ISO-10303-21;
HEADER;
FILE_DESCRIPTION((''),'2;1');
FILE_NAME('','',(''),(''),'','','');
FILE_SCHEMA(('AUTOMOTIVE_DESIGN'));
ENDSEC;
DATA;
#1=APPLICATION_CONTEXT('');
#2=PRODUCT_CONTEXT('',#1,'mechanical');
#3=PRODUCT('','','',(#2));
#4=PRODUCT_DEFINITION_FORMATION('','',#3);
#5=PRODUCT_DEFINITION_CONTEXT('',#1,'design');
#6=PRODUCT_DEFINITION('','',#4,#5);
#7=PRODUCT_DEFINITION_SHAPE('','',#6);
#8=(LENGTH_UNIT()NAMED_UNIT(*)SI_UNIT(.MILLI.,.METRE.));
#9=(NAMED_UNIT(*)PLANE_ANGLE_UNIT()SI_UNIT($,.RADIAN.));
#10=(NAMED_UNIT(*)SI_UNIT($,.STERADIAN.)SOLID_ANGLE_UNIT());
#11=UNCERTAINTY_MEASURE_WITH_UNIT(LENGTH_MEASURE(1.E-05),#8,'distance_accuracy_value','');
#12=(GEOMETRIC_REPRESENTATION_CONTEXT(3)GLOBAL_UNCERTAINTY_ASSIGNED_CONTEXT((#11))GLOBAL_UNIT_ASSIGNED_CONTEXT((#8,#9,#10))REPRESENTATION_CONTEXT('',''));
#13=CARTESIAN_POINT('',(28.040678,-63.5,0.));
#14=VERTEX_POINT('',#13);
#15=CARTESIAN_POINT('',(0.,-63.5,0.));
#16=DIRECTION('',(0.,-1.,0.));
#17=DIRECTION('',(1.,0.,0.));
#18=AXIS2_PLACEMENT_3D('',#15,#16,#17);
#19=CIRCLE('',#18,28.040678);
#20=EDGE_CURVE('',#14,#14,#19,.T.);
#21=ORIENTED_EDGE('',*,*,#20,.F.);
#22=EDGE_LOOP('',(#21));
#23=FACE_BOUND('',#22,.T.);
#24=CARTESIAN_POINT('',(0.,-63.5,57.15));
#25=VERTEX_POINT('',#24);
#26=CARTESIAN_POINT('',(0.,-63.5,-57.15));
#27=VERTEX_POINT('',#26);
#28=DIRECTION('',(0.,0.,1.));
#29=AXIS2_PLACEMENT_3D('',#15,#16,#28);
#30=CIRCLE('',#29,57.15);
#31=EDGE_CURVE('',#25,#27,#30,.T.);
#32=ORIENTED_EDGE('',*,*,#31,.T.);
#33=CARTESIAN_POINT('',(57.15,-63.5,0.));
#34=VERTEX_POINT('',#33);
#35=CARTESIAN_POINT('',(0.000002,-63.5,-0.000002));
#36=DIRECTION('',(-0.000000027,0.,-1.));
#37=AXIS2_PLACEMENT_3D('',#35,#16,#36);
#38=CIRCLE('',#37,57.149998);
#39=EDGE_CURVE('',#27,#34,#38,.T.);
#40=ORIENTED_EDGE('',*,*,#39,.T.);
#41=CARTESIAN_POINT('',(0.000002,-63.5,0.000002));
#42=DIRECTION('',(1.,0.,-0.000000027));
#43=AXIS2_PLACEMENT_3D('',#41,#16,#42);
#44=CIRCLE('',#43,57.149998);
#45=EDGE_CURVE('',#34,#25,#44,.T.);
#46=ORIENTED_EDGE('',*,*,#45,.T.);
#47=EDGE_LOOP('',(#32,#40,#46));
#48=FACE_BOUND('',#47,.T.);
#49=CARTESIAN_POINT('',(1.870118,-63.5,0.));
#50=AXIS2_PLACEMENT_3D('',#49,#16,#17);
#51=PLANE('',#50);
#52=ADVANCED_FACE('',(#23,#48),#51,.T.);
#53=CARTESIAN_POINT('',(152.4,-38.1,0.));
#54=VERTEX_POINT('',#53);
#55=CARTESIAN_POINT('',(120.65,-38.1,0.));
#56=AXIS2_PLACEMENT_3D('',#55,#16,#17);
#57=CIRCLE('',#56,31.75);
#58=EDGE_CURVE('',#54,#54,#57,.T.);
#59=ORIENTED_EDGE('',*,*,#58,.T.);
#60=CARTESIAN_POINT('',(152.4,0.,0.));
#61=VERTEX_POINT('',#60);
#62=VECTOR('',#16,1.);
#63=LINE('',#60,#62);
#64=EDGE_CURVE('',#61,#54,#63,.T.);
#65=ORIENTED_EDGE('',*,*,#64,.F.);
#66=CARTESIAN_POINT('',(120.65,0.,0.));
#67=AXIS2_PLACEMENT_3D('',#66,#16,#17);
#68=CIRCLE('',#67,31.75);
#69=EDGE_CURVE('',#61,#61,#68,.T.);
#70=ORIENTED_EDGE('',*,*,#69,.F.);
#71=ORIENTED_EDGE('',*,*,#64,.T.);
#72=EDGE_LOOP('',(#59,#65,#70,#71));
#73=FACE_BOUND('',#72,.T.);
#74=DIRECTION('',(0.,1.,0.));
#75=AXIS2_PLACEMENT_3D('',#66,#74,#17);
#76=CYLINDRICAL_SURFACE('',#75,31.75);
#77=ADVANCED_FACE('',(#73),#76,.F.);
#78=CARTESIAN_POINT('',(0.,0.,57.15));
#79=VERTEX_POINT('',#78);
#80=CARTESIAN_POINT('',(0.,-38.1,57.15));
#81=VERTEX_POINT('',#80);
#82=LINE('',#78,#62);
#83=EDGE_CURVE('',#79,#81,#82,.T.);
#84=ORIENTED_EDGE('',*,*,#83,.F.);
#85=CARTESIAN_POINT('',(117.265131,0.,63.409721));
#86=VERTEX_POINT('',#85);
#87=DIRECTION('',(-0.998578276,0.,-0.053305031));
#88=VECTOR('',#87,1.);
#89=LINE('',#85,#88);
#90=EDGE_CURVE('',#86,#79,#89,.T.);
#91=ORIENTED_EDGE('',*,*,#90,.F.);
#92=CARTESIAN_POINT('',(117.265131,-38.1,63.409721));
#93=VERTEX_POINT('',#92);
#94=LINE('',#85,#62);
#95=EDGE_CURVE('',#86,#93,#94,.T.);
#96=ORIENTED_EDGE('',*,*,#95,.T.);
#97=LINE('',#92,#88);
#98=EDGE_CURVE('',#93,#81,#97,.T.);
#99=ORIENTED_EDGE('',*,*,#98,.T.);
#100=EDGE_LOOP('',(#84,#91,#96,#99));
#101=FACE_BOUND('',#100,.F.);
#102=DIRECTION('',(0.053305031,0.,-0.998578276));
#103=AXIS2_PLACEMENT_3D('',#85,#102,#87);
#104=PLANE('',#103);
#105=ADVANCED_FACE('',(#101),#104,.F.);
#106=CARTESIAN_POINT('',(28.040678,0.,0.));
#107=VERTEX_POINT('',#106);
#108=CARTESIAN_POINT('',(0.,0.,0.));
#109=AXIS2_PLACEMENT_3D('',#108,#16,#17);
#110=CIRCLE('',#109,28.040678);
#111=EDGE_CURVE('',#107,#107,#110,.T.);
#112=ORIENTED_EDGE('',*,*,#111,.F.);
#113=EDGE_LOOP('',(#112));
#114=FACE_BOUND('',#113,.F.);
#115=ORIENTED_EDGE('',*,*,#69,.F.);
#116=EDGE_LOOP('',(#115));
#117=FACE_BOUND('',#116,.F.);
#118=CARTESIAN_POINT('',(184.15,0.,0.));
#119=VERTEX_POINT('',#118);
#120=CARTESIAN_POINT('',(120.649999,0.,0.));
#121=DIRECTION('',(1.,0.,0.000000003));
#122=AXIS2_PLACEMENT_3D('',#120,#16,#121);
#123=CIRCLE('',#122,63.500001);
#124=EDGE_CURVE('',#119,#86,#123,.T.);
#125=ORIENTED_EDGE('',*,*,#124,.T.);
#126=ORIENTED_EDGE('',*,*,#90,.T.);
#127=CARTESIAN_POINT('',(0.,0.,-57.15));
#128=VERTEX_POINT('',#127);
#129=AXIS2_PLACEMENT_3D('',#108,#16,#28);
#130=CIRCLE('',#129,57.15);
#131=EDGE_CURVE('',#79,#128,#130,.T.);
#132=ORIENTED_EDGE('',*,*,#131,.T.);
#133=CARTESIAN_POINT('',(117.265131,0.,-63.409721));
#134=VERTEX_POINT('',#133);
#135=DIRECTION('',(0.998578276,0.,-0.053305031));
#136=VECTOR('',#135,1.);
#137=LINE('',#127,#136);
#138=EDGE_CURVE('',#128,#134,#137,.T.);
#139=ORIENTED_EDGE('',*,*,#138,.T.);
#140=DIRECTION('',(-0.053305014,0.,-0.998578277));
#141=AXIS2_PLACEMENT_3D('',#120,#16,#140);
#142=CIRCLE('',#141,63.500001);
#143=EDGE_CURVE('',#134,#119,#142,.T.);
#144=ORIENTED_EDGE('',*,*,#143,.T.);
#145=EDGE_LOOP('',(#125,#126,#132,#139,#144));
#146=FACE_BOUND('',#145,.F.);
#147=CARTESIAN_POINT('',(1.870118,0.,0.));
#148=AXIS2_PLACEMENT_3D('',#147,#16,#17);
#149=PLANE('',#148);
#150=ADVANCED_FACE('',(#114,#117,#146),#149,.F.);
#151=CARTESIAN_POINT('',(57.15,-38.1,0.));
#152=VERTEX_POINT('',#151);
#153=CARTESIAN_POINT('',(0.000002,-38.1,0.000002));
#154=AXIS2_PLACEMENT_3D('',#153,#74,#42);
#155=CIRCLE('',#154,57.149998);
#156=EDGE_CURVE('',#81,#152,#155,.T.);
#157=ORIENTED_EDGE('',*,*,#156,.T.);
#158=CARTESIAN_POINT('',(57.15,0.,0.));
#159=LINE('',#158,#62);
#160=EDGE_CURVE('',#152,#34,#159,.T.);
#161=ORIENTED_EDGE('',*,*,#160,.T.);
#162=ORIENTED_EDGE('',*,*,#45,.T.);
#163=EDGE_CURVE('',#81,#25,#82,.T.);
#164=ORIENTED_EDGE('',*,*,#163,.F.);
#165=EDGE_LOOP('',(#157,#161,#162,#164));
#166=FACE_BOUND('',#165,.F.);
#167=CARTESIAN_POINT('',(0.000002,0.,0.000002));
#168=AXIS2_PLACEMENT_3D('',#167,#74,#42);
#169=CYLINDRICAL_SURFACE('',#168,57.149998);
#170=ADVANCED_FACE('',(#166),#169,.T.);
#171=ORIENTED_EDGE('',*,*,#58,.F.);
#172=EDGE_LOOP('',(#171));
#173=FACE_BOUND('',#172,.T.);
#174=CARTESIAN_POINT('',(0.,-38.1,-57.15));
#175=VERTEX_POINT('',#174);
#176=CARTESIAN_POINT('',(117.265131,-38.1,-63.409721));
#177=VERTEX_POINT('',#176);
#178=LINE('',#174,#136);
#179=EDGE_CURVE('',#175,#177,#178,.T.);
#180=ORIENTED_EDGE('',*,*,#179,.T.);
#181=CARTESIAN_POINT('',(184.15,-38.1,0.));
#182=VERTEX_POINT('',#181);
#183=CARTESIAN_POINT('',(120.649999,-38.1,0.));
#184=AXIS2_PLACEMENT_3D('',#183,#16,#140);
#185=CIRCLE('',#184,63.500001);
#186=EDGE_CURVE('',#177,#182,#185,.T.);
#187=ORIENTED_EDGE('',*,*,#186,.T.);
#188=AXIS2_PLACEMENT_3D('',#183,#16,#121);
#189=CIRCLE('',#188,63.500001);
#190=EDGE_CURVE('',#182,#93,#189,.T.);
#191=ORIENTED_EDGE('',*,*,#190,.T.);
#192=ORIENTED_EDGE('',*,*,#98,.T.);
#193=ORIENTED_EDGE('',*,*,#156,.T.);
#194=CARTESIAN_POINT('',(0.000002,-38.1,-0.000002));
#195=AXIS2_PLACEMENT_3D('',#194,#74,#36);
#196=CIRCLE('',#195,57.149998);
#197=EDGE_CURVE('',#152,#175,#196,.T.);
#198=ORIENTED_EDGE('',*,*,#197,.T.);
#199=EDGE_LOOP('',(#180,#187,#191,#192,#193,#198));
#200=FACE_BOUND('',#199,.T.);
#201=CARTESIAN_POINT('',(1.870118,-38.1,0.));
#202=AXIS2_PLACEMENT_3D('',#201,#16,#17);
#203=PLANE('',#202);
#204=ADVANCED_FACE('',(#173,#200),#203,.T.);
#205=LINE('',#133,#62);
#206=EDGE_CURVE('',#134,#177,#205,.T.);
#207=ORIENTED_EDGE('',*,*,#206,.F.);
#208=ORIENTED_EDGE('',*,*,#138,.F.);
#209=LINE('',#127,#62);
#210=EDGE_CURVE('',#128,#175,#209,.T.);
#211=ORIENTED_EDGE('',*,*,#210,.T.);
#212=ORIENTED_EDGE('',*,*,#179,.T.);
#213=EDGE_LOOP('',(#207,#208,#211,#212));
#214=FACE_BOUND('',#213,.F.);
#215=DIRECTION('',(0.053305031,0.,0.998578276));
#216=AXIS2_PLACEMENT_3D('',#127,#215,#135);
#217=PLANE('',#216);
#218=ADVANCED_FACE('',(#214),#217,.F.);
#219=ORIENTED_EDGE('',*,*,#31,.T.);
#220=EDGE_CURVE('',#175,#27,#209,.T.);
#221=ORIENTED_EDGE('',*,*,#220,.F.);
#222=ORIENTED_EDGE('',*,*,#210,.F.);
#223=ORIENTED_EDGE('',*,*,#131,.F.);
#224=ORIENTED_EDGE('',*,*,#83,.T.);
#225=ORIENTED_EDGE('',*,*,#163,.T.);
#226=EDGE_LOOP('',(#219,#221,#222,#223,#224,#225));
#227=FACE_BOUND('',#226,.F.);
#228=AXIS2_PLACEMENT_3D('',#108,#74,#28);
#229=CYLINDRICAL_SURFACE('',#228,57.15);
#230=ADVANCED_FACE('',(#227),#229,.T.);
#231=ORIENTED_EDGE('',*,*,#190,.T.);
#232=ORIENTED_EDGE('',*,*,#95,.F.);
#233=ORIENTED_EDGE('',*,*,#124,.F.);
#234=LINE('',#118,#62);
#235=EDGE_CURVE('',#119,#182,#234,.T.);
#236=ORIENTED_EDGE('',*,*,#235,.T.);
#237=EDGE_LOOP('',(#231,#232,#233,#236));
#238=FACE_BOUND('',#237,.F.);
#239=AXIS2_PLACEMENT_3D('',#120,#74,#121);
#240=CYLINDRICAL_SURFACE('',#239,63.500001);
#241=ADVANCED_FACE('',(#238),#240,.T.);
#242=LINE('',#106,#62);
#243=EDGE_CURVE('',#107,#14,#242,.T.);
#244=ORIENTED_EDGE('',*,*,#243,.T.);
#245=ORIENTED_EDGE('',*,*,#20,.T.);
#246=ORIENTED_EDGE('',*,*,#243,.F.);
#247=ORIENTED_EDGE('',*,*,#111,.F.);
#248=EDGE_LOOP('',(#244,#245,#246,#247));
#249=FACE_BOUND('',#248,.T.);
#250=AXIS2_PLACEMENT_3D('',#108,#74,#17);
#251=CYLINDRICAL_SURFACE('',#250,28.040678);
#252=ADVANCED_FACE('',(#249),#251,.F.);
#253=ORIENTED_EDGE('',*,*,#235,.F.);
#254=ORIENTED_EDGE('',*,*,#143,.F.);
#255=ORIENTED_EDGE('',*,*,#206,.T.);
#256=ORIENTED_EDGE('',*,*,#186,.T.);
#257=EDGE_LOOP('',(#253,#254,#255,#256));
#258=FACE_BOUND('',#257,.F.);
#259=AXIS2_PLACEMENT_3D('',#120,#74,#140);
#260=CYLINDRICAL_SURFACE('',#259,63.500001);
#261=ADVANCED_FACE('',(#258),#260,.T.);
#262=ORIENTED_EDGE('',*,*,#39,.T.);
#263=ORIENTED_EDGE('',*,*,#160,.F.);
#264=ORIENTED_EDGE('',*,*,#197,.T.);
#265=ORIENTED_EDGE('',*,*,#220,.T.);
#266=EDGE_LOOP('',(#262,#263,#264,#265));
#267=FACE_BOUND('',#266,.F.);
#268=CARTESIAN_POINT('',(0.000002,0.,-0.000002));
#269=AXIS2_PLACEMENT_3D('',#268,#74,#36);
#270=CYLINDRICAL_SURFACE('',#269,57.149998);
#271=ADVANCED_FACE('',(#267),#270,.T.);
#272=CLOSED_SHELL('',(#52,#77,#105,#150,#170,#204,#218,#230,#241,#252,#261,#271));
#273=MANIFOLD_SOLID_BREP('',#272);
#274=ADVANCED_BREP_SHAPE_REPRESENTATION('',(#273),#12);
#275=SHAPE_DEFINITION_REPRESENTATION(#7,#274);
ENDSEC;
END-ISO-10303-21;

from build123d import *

# Parameters (mm, degrees)
F0_R     = 28.040678
F0_R_2   = 31.75
F1_DEPTH = 38.1
F2_DEPTH = 63.5


with BuildPart() as f1:
    # F0 (on Front) → F1 (new body)
    with BuildSketch(Plane.XZ):
        with BuildLine():
            ThreePointArc((0, -57.15), (40.411153, -40.411153), (57.15, 0))
            ThreePointArc((57.15, 0), (40.411153, 40.411153), (0, 57.15))
            ThreePointArc((0, 57.15), (-57.15, 0), (0, -57.15))
        make_face()
        Circle(F0_R, mode=Mode.SUBTRACT)
        with BuildLine():
            ThreePointArc((117.265131, -63.409721), (74.567524, -43.688161), (57.15, 0))
            ThreePointArc((57.15, 0), (40.411153, -40.411153), (0, -57.15))
            Line((0, -57.15), (117.265131, -63.409721))
        make_face()
        with BuildLine():
            ThreePointArc((0, 57.15), (40.411153, 40.411153), (57.15, 0))
            ThreePointArc((57.15, 0), (74.567524, 43.688161), (117.265131, 63.409721))
            Line((117.265131, 63.409721), (0, 57.15))
        make_face()
        with BuildLine():
            ThreePointArc((117.265131, 63.409721), (74.567524, 43.688161), (57.15, 0))
            ThreePointArc((57.15, 0), (74.567524, -43.688161), (117.265131, -63.409721))
            ThreePointArc((117.265131, -63.409721), (164.338161, -46.082476), (184.15, 0))
            ThreePointArc((184.15, 0), (164.338161, 46.082476), (117.265131, 63.409721))
        make_face()
        with Locations((120.65, 0)):
            Circle(F0_R_2, mode=Mode.SUBTRACT)
    extrude(amount=F1_DEPTH)

    # F0 (on Front) → F2 (join)
    with BuildSketch(Plane.XZ):
        with BuildLine():
            ThreePointArc((0, -57.15), (40.411153, -40.411153), (57.15, 0))
            ThreePointArc((57.15, 0), (40.411153, 40.411153), (0, 57.15))
            ThreePointArc((0, 57.15), (-57.15, 0), (0, -57.15))
        make_face()
        Circle(F0_R, mode=Mode.SUBTRACT)
    extrude(amount=F2_DEPTH)


solid = f1.part
